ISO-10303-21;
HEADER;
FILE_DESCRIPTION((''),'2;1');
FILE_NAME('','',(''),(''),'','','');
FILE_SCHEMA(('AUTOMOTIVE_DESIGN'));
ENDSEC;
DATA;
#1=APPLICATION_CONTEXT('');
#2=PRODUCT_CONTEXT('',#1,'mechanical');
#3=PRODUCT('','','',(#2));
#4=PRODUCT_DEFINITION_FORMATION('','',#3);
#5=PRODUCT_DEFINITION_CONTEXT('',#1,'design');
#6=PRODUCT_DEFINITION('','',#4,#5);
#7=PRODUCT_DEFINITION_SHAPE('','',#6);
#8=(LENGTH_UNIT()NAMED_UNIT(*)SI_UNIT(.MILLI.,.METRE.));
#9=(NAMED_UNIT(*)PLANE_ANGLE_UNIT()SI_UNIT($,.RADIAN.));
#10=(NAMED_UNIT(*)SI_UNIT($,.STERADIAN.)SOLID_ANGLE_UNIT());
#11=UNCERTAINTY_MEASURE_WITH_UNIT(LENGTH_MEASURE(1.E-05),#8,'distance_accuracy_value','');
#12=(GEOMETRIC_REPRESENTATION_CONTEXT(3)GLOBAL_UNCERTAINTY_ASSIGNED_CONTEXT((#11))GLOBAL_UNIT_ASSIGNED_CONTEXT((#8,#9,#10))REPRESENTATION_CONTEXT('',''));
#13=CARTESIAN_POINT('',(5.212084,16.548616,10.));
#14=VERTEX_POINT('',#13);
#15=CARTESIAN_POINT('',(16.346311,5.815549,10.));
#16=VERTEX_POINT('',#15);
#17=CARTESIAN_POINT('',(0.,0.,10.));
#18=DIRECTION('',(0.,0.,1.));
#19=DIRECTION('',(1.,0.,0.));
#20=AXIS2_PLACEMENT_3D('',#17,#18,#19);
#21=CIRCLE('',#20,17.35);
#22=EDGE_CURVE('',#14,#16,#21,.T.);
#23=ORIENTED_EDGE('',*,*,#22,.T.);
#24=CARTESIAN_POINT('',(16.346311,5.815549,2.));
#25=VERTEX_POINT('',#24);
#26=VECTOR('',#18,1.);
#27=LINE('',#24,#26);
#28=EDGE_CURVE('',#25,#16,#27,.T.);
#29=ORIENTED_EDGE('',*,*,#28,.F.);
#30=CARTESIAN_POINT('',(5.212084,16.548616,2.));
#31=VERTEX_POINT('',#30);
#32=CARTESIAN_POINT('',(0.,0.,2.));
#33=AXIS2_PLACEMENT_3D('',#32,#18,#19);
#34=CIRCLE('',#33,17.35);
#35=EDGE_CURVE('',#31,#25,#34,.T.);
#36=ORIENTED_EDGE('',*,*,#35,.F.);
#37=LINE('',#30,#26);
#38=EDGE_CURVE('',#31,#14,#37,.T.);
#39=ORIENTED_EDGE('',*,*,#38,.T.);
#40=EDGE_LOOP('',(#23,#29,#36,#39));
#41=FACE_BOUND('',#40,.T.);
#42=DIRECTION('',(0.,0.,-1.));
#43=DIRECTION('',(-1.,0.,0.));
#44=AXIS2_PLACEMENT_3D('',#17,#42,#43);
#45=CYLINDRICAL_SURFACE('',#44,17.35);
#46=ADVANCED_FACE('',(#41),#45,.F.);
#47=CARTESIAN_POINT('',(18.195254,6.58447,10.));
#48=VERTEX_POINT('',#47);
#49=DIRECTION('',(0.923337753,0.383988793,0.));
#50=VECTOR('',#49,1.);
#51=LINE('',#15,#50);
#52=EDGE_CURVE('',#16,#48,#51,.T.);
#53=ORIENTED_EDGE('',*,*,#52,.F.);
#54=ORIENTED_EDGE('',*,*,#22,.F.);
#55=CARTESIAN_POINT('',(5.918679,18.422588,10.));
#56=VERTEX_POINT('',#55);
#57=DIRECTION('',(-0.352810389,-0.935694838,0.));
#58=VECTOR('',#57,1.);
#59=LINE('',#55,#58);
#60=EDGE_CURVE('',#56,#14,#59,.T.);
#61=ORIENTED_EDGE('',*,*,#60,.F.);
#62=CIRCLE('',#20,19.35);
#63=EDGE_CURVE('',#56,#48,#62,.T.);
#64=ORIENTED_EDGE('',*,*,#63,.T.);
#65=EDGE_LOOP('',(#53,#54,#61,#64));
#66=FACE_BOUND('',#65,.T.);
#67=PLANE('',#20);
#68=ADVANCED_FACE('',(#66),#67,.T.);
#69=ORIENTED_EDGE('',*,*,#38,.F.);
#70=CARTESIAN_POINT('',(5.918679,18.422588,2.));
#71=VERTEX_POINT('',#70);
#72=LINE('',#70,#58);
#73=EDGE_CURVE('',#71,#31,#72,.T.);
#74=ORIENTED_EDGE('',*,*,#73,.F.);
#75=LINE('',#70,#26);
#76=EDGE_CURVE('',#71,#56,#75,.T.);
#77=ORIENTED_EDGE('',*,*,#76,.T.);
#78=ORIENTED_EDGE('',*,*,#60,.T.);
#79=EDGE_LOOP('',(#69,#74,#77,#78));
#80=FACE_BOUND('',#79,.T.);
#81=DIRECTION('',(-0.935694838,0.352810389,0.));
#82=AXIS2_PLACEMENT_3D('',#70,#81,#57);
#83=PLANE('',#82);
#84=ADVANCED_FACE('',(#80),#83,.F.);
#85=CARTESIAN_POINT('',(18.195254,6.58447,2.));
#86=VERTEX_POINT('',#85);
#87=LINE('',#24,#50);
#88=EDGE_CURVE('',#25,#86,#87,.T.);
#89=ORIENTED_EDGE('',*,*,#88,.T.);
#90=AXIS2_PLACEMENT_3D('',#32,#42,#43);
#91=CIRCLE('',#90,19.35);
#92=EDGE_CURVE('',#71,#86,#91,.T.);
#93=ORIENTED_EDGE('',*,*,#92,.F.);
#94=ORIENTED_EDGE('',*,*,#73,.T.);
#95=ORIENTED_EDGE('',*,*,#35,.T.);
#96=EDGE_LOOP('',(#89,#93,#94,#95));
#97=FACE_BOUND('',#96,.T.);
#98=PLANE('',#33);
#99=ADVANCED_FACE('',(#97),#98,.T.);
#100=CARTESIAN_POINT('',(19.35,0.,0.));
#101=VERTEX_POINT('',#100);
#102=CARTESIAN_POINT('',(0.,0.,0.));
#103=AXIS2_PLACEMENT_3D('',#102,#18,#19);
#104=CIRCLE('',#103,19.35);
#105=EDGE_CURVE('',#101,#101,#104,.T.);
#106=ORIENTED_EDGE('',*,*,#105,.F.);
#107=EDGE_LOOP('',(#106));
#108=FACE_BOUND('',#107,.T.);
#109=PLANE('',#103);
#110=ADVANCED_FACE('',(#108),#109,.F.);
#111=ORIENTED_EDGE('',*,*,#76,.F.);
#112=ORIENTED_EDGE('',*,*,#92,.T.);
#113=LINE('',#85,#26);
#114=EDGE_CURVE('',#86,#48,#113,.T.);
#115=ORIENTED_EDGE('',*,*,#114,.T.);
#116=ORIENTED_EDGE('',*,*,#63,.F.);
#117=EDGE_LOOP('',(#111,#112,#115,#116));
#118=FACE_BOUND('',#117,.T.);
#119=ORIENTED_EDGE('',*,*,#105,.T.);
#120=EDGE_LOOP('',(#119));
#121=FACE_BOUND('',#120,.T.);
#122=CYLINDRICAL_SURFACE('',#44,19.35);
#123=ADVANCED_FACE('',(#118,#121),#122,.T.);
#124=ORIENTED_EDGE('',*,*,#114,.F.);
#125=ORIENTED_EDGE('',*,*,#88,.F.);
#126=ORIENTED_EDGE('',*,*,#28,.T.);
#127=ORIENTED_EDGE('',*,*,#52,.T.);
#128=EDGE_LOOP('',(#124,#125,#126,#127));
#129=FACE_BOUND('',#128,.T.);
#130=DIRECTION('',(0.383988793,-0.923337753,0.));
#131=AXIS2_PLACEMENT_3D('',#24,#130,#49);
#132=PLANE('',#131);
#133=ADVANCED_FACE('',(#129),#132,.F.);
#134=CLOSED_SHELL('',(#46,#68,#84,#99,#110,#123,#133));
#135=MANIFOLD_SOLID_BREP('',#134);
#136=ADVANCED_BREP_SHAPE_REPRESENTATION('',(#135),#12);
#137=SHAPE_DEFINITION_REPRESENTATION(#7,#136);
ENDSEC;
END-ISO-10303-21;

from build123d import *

# Parameters (mm, degrees)
CROQUIS1_R              = 19.35
SALIENTE_EXTRUIR1_DEPTH = 10
VACIADO1_T              = -2
CORTAR_EXTRUIR1_DEPTH   = 8


with BuildPart() as part:
    # Croquis1 → Saliente-Extruir1 (new body)
    with BuildSketch(Plane.XY):
        Circle(CROQUIS1_R)
    extrude(amount=SALIENTE_EXTRUIR1_DEPTH)

    # Vaciado1
    vaciado1_openings = [part.faces().sort_by_distance(p)[0] for p in [
        (0, 0, 10),
    ]]
    offset(amount=VACIADO1_T, openings=vaciado1_openings, kind=Kind.INTERSECTION)

    # Croquis2 → Cortar-Extruir1 (cut)
    with BuildSketch(Plane.XY.offset(10)):
        with BuildLine():
            Line((5.91867852, 18.42258789), (5.212083976, 16.548615671))
            ThreePointArc((5.212083976, 16.548615671), (11.920626225, 12.366173509), (16.346311037, 5.815549456))
            Line((16.346311037, 5.815549456), (18.195253679, 6.584469877))
            ThreePointArc((18.195253679, 6.584469877), (13.903068898, 14.418007159), (5.91867852, 18.42258789))
        make_face()
    extrude(amount=-CORTAR_EXTRUIR1_DEPTH, mode=Mode.SUBTRACT)


solid = part.part
